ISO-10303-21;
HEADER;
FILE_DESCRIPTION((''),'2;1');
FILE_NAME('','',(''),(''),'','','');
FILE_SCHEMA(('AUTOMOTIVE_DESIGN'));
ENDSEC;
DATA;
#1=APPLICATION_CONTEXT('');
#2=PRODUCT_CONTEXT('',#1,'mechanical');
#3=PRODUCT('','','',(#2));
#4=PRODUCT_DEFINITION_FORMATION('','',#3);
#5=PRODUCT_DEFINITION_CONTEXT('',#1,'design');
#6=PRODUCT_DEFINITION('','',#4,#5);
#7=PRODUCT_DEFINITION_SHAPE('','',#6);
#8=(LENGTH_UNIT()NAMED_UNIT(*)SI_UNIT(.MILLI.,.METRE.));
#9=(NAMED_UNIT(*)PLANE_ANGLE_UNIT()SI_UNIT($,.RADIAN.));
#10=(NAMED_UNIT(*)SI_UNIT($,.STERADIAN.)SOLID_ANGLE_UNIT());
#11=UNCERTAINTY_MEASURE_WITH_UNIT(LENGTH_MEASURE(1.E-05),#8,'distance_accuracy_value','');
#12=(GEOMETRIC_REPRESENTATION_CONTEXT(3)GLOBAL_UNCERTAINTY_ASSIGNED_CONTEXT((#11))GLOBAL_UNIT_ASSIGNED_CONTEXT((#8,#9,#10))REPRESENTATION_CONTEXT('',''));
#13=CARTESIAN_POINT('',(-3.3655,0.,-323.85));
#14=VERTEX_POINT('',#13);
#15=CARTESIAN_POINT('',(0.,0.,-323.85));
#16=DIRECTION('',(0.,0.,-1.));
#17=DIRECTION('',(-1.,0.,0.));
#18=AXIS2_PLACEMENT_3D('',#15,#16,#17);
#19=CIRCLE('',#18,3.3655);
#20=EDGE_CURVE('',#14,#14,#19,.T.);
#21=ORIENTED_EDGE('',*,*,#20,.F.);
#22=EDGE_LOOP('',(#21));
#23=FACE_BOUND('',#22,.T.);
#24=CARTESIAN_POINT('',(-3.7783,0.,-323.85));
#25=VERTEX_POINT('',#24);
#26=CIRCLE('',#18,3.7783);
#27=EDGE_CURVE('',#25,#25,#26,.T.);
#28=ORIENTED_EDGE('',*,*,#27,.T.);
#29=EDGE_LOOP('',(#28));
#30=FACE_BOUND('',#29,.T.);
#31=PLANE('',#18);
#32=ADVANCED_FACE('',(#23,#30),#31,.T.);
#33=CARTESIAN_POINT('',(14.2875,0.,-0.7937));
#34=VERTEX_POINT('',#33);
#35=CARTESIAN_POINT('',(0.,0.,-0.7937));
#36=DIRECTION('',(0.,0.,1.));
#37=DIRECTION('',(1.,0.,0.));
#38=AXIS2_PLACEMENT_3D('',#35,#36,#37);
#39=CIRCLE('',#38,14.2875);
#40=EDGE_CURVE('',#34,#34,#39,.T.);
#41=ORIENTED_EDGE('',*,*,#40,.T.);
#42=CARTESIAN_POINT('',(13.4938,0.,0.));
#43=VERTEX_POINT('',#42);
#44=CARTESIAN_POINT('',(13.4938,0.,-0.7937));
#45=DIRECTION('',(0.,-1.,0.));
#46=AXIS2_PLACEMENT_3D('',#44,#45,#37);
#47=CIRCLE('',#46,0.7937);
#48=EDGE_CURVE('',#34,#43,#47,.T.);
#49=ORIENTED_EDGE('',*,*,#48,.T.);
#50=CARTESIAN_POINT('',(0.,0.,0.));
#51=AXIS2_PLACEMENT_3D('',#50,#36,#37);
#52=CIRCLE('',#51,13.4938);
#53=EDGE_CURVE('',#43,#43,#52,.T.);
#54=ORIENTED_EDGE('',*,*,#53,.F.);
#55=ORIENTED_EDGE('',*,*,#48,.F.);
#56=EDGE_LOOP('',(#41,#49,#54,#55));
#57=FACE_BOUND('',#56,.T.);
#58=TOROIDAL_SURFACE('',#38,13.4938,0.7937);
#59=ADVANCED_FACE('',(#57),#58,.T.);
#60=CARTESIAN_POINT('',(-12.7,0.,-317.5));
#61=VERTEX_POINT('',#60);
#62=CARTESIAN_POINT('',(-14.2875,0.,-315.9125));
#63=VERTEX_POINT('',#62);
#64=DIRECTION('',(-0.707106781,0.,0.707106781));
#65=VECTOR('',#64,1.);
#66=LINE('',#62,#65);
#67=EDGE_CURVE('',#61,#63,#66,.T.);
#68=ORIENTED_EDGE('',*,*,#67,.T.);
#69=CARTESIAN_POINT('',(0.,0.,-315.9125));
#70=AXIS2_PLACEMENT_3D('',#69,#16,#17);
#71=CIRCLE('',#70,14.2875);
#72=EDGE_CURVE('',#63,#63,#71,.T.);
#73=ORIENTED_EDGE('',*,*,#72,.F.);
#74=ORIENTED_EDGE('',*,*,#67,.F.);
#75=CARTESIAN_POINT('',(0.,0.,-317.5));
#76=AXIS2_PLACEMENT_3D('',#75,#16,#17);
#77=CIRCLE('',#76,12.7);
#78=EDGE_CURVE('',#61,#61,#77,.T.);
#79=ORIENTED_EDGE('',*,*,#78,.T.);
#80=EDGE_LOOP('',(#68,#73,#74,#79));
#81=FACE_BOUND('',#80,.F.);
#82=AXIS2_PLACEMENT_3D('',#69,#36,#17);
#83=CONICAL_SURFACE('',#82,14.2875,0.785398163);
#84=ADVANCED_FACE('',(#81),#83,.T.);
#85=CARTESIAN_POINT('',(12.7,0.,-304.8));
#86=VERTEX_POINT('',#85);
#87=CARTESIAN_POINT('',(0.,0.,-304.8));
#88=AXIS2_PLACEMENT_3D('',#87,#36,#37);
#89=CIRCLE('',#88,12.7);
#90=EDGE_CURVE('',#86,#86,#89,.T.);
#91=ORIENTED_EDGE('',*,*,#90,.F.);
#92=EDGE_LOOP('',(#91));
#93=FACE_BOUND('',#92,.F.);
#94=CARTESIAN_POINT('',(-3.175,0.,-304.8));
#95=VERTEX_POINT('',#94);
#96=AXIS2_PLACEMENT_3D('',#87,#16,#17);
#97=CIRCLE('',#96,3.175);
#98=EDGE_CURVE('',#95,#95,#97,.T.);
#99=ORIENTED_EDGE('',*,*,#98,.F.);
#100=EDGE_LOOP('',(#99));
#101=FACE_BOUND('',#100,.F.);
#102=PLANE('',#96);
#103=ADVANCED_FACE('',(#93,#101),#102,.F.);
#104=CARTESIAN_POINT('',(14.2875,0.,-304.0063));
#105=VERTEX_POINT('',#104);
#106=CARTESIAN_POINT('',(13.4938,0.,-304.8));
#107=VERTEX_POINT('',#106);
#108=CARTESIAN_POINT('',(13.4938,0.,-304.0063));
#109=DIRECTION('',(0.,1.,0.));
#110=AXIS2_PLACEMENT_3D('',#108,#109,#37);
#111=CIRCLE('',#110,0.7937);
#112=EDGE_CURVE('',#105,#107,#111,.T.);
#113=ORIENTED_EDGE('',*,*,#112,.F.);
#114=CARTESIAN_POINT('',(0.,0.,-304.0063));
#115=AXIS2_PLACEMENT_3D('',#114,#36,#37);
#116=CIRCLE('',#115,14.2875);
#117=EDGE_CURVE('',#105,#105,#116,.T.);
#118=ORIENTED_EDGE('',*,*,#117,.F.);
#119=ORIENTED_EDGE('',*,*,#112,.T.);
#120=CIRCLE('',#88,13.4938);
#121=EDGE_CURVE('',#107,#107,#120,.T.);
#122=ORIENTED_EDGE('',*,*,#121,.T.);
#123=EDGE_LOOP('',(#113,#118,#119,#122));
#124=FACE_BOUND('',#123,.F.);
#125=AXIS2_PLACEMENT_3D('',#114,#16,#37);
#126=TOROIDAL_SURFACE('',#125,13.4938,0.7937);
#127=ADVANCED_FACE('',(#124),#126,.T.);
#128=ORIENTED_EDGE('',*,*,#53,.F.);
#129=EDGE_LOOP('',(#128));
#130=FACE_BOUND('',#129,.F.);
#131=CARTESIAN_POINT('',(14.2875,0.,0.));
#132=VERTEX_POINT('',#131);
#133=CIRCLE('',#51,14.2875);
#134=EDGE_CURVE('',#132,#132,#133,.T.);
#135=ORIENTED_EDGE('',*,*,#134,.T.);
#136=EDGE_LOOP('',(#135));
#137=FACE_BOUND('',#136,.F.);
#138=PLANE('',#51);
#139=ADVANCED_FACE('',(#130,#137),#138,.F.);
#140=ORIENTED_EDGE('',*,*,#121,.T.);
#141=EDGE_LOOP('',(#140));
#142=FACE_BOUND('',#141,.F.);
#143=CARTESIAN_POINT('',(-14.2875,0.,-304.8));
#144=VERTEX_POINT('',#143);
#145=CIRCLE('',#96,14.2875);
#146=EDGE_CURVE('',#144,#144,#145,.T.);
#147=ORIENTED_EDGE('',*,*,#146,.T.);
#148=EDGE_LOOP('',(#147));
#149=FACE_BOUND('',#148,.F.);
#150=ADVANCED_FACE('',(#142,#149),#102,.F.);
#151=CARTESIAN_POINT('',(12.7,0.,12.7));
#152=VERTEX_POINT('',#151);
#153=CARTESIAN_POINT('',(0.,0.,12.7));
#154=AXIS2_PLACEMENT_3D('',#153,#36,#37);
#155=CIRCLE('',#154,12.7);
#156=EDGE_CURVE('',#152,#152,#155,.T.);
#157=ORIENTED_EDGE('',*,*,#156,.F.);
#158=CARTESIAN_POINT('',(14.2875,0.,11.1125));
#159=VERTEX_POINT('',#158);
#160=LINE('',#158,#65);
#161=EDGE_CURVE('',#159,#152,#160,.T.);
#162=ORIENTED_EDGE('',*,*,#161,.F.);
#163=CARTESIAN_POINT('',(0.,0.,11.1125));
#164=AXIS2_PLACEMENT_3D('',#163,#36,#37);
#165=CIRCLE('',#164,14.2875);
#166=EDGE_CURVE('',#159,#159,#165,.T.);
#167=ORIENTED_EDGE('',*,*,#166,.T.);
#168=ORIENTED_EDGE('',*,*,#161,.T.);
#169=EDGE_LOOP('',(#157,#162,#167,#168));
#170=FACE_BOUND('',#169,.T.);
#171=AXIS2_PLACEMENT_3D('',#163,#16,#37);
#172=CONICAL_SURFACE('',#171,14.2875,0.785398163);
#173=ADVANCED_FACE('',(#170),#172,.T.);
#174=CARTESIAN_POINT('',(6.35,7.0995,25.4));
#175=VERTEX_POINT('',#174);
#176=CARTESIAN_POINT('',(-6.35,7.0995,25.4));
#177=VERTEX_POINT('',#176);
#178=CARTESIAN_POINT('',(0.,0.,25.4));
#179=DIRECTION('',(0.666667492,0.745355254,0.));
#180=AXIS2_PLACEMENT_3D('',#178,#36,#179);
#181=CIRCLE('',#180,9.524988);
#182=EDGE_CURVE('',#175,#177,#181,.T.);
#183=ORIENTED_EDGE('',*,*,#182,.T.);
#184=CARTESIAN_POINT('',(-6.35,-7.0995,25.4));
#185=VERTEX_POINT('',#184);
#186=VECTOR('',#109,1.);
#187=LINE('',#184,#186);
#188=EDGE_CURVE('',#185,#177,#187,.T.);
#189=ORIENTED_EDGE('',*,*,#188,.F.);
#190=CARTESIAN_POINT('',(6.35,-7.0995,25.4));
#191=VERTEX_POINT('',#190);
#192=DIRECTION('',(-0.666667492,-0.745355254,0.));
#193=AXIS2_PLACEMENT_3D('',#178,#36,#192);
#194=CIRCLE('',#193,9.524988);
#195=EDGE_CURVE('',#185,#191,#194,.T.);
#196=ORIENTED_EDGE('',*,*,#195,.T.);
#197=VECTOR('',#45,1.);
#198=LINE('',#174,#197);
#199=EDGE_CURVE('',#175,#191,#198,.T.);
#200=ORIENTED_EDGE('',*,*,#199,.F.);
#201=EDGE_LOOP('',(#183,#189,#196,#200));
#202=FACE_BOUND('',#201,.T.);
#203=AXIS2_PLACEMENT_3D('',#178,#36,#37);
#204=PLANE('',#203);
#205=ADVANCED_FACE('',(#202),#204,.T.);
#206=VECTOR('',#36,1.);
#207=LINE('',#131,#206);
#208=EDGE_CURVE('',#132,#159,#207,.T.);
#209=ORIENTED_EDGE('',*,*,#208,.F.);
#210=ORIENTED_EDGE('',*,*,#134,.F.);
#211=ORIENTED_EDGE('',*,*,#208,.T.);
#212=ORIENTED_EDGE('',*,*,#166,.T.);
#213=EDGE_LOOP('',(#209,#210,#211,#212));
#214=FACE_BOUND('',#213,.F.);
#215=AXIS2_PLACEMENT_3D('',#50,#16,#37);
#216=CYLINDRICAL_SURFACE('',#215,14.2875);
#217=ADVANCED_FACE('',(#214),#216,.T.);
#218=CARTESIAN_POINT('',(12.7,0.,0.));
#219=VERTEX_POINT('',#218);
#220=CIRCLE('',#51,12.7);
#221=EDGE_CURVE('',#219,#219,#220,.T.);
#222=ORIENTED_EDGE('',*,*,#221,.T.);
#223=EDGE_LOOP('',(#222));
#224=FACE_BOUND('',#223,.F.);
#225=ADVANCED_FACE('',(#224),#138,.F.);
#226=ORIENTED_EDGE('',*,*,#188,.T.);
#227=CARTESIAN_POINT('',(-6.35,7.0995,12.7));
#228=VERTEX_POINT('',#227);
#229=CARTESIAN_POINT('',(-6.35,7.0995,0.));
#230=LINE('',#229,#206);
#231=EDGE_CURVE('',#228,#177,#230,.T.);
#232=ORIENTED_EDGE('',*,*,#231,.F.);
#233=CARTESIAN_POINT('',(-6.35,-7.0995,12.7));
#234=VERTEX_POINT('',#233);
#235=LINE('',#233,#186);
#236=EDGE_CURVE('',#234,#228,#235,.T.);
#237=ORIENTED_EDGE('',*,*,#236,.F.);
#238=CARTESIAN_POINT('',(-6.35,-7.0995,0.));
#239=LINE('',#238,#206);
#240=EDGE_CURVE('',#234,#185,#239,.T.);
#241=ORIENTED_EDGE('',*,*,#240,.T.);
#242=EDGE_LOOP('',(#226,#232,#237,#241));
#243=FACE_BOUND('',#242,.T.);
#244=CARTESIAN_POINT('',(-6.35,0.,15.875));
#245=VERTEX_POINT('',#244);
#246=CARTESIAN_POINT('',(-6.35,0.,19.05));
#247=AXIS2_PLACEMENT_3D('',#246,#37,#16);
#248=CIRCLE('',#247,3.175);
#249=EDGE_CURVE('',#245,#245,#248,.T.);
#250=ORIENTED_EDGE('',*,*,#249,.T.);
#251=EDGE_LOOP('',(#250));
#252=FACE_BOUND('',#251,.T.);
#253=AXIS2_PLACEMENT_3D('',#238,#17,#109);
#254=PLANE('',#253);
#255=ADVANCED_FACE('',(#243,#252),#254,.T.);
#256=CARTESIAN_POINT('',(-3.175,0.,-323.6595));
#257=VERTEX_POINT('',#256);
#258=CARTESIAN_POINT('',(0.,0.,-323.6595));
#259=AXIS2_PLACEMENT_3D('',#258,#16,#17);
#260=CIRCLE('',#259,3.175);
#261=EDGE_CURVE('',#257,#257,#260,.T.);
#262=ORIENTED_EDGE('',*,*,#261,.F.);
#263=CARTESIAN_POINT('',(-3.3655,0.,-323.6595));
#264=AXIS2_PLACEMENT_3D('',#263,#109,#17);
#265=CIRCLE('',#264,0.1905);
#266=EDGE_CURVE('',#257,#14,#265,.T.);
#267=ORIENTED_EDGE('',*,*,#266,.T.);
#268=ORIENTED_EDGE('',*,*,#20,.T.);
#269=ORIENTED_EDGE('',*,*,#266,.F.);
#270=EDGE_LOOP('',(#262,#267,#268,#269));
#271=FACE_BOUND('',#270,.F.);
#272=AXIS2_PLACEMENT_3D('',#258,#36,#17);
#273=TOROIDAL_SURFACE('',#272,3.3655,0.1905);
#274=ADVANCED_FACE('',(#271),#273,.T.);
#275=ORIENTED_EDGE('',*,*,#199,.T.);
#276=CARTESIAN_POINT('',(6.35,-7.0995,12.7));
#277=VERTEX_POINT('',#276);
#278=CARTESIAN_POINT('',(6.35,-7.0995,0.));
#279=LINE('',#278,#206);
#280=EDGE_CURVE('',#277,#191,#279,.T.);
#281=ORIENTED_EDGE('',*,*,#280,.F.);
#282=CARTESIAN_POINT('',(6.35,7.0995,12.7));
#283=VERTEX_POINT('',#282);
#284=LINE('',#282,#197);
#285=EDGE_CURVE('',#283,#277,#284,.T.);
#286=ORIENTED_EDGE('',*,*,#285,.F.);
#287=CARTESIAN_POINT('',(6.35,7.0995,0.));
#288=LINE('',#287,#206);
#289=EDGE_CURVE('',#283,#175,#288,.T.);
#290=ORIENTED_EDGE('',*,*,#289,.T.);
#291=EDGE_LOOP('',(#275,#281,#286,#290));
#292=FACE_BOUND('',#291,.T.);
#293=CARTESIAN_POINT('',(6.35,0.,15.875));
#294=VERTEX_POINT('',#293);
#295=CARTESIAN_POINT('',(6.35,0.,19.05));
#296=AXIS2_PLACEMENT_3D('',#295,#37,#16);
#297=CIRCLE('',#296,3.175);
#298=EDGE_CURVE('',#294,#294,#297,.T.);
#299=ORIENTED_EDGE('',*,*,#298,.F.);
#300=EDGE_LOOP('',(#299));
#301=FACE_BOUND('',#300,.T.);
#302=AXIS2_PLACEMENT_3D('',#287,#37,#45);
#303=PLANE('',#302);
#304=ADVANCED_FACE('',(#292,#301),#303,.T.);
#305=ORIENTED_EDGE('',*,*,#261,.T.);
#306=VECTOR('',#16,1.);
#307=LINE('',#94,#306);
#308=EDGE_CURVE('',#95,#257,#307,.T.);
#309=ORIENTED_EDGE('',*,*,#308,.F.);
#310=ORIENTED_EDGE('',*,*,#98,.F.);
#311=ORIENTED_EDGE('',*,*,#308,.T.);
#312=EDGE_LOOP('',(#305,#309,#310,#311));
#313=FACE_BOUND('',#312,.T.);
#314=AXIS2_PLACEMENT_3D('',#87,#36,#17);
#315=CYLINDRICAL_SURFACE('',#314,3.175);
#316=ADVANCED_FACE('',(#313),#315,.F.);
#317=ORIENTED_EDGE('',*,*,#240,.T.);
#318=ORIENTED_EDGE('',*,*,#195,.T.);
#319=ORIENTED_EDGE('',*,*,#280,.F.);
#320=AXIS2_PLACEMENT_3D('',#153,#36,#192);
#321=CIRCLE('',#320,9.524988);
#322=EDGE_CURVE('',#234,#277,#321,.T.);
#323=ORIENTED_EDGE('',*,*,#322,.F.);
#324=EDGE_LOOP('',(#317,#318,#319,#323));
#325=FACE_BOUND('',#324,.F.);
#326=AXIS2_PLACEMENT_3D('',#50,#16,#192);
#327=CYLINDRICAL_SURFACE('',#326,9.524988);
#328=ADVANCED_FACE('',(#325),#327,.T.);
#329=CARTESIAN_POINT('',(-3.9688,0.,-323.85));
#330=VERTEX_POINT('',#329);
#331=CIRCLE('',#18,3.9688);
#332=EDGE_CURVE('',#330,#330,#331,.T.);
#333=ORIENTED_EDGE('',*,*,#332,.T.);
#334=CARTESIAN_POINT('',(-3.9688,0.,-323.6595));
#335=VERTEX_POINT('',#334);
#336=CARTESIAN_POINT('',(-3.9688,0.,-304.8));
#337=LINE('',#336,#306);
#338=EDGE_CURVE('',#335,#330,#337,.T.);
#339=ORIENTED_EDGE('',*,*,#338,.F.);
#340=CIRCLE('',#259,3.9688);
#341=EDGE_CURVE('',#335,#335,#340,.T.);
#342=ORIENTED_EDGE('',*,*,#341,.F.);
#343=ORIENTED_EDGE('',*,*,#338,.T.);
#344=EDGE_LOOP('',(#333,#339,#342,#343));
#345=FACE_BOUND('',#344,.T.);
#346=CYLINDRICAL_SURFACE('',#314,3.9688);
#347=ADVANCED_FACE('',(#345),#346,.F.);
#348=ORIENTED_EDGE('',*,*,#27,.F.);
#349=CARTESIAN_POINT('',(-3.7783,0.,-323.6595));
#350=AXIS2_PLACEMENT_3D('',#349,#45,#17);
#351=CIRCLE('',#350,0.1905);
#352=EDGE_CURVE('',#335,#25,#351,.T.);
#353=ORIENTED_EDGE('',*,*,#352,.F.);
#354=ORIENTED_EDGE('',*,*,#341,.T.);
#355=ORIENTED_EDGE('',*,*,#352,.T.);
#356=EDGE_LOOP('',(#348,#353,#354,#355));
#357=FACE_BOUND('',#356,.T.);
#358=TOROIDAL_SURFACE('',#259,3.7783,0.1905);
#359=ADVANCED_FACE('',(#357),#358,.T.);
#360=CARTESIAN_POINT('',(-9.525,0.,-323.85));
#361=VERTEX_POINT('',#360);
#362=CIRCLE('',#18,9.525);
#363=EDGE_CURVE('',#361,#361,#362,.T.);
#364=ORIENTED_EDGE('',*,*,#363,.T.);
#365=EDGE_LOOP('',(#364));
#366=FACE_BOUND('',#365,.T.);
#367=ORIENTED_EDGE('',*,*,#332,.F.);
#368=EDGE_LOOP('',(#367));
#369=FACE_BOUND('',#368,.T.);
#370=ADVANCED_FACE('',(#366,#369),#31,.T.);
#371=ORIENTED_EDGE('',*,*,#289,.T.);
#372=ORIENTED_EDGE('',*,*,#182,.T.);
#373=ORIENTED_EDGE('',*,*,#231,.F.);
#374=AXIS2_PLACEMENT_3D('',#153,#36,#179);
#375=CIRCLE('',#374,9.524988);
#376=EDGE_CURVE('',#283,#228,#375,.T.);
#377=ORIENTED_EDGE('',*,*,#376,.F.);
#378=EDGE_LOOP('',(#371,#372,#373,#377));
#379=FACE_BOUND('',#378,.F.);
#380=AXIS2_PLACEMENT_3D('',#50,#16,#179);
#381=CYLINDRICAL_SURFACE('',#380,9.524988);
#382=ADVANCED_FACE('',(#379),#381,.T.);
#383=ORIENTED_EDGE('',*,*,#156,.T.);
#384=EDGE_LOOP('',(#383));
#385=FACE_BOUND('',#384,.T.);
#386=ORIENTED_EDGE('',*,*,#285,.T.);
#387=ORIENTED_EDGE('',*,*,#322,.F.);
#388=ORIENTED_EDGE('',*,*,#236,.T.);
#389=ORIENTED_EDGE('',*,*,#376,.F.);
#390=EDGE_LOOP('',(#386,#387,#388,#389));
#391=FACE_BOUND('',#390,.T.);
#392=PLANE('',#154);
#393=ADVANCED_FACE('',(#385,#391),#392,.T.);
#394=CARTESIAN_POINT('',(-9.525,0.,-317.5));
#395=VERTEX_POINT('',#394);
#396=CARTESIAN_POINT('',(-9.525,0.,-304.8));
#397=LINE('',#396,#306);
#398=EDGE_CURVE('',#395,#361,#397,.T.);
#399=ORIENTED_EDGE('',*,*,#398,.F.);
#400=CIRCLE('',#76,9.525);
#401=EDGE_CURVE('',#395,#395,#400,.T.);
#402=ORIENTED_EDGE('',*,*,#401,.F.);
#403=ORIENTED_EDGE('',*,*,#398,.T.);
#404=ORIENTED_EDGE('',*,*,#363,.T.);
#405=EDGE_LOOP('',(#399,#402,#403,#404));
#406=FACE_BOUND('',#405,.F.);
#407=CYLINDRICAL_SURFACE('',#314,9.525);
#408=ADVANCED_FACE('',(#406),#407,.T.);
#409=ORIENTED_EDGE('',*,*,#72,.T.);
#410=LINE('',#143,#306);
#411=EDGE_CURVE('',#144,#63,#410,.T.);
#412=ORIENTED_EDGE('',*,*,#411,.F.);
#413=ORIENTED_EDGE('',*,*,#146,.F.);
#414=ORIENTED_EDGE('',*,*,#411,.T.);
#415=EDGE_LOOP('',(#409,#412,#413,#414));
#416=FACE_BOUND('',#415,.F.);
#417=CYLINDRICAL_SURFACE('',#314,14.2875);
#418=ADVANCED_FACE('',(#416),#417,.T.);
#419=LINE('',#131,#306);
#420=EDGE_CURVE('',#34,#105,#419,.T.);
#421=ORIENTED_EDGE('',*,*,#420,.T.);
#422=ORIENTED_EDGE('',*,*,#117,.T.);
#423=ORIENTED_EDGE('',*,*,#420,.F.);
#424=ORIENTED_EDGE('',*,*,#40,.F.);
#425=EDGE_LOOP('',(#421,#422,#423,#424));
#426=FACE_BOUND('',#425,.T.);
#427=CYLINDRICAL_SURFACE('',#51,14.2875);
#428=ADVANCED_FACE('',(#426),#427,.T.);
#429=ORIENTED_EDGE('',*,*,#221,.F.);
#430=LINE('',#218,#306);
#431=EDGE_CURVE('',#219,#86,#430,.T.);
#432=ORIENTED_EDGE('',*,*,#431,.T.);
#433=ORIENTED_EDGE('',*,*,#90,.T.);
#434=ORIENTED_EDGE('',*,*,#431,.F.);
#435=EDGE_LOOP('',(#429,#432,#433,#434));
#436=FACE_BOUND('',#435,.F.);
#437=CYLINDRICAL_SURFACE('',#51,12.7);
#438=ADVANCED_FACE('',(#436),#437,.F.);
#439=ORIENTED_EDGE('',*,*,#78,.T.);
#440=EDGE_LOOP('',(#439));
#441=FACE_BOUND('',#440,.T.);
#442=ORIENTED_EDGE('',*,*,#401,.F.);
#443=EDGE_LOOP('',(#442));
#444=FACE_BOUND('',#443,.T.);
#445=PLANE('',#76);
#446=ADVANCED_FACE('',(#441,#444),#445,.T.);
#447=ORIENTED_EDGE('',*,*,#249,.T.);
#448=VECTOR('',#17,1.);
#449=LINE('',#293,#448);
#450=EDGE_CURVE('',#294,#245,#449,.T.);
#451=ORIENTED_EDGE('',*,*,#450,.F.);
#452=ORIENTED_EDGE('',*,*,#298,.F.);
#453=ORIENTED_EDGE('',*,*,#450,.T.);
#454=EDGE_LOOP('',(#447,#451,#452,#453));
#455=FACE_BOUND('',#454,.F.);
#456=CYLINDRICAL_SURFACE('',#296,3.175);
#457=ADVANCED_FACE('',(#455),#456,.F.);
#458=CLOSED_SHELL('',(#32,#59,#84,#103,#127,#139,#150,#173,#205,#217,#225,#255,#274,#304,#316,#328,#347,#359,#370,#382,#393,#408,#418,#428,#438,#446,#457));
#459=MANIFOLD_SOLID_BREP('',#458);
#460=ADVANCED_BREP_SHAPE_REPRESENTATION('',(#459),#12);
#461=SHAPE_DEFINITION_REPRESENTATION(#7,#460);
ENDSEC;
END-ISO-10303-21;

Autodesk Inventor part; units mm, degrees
ref_plane "YZ Plane" through (0, 0, 0) normal (1, 0, 0) x (0, 1, 0)
ref_plane "XZ Plane" through (0, 0, 0) normal (0, 1, 0) x (-1, 0, 0)
ref_plane "XY Plane" through (0, 0, 0) normal (0, 0, 1) x (1, 0, 0)
sketch "Sketch1" plane through (0, 0, 0) normal (0, 0, 1) x (1, 0, 0)
  circle A0 centre (0, 0) radius 12.7
  circle A1 centre (0, 0) radius 14.2875
  line L0 (-6.35, 7.0995) -> (6.35, 7.0995)
  line L1 (6.35, 7.0995) -> (6.35, -7.0995)
  line L2 (6.35, -7.0995) -> (-6.35, -7.0995)
  line L3 (-6.35, -7.0995) -> (-6.35, 7.0995)
  arc A2 (6.35, 7.0995) -> (-6.35, 7.0995) centre (0, 0) ccw
  arc A3 (-6.35, -7.0995) -> (6.35, -7.0995) centre (0, 0) ccw
  dimension "d2" = 25.4
  dimension "d3" = 28.575
  dimension "d4" = 12.7
  dimension "d5" = 6.35
  dimension "d6" = 14.199
  dimension "d7" = 7.0995
  dimension "d8" = 9.525
extrude "Extrusion1" add sketch "Sketch1" against normal blind 304.8 contours A1
fillet "Fillet1" radius 0.7937 2 edges at (-14.2875, 0, 0) (-14.2875, 0, -304.8)
extrude "Extrusion2" add sketch "Sketch1" along normal blind 12.7 contours A0 | A1
extrude "Extrusion3" add sketch "Sketch1" along normal blind 25.4 contours A2 L0 | L0 L1 L2 L3 | L2 A3
chamfer "Chamfer1" distance 1.5875 angle 45 1 edges at (-14.2875, 0, 12.7)
thread "Thread1" size "3/4-10 UNC" class "2A" standard "ANSI Unified Screw Threads" full length
thread "Thread2" size "3/4-10 UNC" class "2A" standard "ANSI Unified Screw Threads" full length
sketch "Sketch2" plane through (0, 0, -304.8) normal (0, 0, -1) x (-1, 0, 0)
  circle A0 centre (0, 0) radius 14.2875 projected
  circle A1 centre (0, 0) radius 9.525
  circle A2 centre (0, 0) radius 3.175
  circle A3 centre (0, 0) radius 3.9688
  dimension "d24" = 19.05
  dimension "d25" = 7.9375
  dimension "d26" = 6.35
extrude "Extrusion4" add sketch "Sketch2" along normal blind 12.7 contours A0
extrude "Extrusion5" add sketch "Sketch2" along normal blind 19.05 contours A3
fillet "Fillet2" radius 0.1905 2 edges at (3.9688, 0, -323.85) (3.175, 0, -323.85)
extrude "Extrusion6" add sketch "Sketch2" along normal blind 19.05 contours A1
chamfer "Chamfer2" distance 1.5875 angle 45 1 edges at (14.2875, 0, -317.5)
thread "Thread3" size "3/4-10 UNC" class "2A" standard "ANSI Unified Screw Threads" full length
sketch "Sketch3" plane through (6.35, -7.0995, 12.7) normal (1, 0, 0) x (0, 0, -1)
  line L0 (0, 14.199) -> (-12.7, 14.199) projected
  line L1 (-12.7, 14.199) -> (-12.7, 0) projected
  line L2 (0, 0) -> (-12.7, 0) projected
  circle A0 centre (-6.35, 7.0995) radius 3.175
  point P0 (12.7, 7.0995)
  dimension "d39" = 6.35
  dimension "d40" = 7.0995
  dimension "d41" = 14.199
  dimension "d42" = 6.35
extrude "Extrusion7" cut sketch "Sketch3" against normal blind 25.4
equation "\"d5\" = 0.5 * d4"
equation "\"d7\" = 0.5 * d6"
equation "\"d40\" = 0.5 * d41"
properties part number "1' by 1'' dia piston"
